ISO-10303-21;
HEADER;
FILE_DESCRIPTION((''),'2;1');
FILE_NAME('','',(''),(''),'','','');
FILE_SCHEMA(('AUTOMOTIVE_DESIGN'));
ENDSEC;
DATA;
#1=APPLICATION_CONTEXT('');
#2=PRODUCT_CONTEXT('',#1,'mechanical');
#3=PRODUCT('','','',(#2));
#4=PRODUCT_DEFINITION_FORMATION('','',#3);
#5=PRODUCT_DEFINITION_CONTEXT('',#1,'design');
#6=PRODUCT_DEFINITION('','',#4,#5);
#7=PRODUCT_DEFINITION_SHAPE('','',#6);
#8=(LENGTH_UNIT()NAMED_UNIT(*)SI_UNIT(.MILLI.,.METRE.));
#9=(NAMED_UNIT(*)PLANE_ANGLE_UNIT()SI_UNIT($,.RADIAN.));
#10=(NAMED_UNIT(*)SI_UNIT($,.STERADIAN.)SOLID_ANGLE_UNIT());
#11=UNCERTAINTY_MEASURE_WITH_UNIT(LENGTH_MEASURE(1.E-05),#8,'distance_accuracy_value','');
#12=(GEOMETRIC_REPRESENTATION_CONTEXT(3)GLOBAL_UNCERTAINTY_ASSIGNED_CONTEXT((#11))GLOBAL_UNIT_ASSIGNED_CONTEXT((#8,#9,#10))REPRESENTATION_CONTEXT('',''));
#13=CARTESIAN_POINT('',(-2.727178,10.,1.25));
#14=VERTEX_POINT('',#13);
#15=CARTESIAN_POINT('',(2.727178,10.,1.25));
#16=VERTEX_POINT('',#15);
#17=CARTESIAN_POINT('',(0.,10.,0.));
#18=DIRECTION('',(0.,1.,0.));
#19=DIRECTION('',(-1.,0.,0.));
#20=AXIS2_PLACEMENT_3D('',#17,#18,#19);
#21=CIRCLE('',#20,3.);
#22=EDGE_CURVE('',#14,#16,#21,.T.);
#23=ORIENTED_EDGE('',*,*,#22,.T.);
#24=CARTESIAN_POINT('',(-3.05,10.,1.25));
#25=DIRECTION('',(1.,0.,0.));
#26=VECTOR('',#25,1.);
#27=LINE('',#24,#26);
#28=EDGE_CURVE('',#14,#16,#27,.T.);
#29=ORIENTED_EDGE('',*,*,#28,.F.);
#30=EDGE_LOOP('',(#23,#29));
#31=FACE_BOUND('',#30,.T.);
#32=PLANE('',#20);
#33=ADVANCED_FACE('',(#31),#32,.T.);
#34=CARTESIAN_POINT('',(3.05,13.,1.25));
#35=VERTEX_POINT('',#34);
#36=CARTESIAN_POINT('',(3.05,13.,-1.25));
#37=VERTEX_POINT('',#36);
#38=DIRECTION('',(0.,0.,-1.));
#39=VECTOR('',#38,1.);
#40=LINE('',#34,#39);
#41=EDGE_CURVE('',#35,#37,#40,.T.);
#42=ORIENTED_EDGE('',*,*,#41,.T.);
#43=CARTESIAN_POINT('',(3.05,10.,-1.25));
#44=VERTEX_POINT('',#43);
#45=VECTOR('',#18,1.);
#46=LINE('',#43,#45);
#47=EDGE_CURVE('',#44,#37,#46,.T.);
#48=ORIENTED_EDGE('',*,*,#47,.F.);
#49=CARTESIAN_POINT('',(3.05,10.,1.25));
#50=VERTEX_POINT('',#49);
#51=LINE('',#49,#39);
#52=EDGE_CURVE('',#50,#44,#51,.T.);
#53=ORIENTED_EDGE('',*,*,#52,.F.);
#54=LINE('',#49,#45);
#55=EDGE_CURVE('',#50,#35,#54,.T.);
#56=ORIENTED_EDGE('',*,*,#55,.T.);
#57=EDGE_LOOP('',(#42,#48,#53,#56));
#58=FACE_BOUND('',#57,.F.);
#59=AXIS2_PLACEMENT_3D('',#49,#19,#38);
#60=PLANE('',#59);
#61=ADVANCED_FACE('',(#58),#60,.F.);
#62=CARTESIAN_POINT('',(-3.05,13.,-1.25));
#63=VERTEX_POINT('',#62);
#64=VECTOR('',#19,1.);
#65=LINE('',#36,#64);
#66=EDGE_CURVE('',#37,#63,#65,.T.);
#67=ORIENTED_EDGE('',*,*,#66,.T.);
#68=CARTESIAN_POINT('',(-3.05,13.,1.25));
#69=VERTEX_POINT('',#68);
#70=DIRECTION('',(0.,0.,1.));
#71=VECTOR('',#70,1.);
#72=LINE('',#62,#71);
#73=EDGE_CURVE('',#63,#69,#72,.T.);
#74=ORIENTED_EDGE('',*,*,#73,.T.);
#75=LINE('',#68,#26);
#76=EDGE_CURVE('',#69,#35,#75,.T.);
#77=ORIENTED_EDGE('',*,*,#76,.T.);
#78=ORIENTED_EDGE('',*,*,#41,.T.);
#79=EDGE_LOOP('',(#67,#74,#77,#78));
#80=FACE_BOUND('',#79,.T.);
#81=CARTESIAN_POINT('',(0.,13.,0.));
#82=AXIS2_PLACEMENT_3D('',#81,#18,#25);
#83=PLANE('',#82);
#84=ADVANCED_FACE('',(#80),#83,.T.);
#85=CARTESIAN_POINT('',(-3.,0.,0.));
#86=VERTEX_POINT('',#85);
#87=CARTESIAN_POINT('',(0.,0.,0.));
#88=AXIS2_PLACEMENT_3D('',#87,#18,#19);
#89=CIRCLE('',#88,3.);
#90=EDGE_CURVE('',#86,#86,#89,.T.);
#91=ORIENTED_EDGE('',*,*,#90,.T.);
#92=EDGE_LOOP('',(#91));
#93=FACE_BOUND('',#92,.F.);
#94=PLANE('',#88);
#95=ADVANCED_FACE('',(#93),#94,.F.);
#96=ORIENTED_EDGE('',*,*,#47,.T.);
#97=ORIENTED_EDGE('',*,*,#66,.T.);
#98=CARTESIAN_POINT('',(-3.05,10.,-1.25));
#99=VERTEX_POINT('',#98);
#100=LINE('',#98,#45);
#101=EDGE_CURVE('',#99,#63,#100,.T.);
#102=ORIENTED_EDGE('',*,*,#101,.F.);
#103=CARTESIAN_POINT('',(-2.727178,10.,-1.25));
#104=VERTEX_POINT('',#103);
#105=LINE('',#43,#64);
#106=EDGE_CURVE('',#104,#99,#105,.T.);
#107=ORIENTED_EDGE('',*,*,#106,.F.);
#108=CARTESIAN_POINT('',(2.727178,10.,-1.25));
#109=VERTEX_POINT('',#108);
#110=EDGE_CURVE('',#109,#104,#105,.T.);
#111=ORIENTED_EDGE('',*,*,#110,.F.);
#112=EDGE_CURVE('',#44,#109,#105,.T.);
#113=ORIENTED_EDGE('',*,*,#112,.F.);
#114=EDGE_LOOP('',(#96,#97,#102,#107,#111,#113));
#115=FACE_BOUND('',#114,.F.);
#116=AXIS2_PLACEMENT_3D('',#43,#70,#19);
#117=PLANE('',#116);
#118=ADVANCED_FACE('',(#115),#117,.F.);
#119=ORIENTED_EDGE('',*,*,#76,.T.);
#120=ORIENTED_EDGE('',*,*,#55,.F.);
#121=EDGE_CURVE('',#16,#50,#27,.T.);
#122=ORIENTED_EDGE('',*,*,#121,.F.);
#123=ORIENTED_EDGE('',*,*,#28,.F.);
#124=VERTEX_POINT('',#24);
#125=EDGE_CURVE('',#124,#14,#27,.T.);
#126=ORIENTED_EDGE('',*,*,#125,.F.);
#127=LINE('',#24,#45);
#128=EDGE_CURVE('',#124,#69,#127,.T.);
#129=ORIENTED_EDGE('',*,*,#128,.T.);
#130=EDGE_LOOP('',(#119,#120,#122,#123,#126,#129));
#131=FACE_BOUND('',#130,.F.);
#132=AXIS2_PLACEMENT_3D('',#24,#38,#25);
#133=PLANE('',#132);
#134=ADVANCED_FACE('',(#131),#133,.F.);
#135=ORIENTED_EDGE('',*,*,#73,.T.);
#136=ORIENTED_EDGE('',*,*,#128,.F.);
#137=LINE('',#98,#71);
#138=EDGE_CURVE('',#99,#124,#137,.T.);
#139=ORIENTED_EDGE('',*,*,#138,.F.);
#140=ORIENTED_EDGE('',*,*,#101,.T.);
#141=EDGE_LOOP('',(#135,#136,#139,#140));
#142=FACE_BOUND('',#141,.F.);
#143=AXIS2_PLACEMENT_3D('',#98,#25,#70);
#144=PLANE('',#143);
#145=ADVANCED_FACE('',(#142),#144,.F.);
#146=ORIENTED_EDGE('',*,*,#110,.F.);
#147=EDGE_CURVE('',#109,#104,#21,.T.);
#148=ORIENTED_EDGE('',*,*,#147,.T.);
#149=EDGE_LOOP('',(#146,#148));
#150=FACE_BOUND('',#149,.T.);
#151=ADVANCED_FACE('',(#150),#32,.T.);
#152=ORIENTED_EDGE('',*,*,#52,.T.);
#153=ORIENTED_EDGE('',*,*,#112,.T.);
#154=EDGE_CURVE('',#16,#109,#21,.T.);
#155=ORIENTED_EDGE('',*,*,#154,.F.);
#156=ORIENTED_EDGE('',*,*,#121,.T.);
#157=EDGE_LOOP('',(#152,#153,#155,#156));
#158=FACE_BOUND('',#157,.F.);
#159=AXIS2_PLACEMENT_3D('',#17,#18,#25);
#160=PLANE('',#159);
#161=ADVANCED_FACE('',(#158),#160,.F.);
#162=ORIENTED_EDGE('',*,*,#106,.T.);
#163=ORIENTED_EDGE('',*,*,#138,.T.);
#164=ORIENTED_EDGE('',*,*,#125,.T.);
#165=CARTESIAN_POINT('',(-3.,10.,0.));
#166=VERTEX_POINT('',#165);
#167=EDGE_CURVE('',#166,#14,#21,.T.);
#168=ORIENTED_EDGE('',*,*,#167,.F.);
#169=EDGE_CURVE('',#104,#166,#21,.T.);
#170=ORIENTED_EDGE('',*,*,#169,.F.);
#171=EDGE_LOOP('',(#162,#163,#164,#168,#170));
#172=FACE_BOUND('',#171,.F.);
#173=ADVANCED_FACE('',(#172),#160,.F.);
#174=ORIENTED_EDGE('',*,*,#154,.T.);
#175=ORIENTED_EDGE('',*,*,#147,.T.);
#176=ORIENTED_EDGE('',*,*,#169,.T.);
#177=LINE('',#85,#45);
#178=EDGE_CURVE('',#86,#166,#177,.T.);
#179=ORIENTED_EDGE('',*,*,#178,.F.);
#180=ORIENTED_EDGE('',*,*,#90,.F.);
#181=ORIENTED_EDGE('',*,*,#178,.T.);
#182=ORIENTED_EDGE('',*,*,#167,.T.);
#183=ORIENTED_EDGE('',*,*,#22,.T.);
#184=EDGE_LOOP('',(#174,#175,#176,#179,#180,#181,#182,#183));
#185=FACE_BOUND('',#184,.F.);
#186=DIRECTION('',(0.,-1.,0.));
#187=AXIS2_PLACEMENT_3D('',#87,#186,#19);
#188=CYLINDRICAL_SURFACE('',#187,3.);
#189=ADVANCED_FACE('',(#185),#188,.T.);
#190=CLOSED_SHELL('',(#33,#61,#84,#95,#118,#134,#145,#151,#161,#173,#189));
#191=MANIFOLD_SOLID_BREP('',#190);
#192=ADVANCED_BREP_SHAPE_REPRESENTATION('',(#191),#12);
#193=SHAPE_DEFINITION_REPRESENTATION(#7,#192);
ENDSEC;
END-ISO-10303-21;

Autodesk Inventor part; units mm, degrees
ref_plane "YZ Plane" through (0, 0, 0) normal (1, 0, 0) x (0, 1, 0)
ref_plane "XZ Plane" through (0, 0, 0) normal (0, 1, 0) x (-1, 0, 0)
ref_plane "XY Plane" through (0, 0, 0) normal (0, 0, 1) x (1, 0, 0)
sketch "Skizze1" plane through (0, 0, 0) normal (0, 1, 0) x (-1, 0, 0)
  circle A0 centre (0, 0) radius 3
  dimension "d0" = 6
extrude "Extrusion1" add sketch "Skizze1" along normal blind 10
sketch "Skizze2" plane through (0, 10, 0) normal (0, 1, 0) x (1, 0, 0)
  line L0 (-3.05, -1.25) -> (3.05, -1.25)
  line L1 (3.05, -1.25) -> (3.05, 1.25)
  line L2 (3.05, 1.25) -> (-3.05, 1.25)
  line L3 (-3.05, 1.25) -> (-3.05, -1.25)
  line L4 (-3.05, -1.25) -> (3.05, 1.25) construction
  line L5 (3.05, -1.25) -> (-3.05, 1.25) construction
  point P0 (0, 0)
  dimension "d3" = 6.1
  dimension "d4" = 2.5
extrude "Extrusion2" add sketch "Skizze2" along normal blind 3
properties part number "00_laserpointer_red"
